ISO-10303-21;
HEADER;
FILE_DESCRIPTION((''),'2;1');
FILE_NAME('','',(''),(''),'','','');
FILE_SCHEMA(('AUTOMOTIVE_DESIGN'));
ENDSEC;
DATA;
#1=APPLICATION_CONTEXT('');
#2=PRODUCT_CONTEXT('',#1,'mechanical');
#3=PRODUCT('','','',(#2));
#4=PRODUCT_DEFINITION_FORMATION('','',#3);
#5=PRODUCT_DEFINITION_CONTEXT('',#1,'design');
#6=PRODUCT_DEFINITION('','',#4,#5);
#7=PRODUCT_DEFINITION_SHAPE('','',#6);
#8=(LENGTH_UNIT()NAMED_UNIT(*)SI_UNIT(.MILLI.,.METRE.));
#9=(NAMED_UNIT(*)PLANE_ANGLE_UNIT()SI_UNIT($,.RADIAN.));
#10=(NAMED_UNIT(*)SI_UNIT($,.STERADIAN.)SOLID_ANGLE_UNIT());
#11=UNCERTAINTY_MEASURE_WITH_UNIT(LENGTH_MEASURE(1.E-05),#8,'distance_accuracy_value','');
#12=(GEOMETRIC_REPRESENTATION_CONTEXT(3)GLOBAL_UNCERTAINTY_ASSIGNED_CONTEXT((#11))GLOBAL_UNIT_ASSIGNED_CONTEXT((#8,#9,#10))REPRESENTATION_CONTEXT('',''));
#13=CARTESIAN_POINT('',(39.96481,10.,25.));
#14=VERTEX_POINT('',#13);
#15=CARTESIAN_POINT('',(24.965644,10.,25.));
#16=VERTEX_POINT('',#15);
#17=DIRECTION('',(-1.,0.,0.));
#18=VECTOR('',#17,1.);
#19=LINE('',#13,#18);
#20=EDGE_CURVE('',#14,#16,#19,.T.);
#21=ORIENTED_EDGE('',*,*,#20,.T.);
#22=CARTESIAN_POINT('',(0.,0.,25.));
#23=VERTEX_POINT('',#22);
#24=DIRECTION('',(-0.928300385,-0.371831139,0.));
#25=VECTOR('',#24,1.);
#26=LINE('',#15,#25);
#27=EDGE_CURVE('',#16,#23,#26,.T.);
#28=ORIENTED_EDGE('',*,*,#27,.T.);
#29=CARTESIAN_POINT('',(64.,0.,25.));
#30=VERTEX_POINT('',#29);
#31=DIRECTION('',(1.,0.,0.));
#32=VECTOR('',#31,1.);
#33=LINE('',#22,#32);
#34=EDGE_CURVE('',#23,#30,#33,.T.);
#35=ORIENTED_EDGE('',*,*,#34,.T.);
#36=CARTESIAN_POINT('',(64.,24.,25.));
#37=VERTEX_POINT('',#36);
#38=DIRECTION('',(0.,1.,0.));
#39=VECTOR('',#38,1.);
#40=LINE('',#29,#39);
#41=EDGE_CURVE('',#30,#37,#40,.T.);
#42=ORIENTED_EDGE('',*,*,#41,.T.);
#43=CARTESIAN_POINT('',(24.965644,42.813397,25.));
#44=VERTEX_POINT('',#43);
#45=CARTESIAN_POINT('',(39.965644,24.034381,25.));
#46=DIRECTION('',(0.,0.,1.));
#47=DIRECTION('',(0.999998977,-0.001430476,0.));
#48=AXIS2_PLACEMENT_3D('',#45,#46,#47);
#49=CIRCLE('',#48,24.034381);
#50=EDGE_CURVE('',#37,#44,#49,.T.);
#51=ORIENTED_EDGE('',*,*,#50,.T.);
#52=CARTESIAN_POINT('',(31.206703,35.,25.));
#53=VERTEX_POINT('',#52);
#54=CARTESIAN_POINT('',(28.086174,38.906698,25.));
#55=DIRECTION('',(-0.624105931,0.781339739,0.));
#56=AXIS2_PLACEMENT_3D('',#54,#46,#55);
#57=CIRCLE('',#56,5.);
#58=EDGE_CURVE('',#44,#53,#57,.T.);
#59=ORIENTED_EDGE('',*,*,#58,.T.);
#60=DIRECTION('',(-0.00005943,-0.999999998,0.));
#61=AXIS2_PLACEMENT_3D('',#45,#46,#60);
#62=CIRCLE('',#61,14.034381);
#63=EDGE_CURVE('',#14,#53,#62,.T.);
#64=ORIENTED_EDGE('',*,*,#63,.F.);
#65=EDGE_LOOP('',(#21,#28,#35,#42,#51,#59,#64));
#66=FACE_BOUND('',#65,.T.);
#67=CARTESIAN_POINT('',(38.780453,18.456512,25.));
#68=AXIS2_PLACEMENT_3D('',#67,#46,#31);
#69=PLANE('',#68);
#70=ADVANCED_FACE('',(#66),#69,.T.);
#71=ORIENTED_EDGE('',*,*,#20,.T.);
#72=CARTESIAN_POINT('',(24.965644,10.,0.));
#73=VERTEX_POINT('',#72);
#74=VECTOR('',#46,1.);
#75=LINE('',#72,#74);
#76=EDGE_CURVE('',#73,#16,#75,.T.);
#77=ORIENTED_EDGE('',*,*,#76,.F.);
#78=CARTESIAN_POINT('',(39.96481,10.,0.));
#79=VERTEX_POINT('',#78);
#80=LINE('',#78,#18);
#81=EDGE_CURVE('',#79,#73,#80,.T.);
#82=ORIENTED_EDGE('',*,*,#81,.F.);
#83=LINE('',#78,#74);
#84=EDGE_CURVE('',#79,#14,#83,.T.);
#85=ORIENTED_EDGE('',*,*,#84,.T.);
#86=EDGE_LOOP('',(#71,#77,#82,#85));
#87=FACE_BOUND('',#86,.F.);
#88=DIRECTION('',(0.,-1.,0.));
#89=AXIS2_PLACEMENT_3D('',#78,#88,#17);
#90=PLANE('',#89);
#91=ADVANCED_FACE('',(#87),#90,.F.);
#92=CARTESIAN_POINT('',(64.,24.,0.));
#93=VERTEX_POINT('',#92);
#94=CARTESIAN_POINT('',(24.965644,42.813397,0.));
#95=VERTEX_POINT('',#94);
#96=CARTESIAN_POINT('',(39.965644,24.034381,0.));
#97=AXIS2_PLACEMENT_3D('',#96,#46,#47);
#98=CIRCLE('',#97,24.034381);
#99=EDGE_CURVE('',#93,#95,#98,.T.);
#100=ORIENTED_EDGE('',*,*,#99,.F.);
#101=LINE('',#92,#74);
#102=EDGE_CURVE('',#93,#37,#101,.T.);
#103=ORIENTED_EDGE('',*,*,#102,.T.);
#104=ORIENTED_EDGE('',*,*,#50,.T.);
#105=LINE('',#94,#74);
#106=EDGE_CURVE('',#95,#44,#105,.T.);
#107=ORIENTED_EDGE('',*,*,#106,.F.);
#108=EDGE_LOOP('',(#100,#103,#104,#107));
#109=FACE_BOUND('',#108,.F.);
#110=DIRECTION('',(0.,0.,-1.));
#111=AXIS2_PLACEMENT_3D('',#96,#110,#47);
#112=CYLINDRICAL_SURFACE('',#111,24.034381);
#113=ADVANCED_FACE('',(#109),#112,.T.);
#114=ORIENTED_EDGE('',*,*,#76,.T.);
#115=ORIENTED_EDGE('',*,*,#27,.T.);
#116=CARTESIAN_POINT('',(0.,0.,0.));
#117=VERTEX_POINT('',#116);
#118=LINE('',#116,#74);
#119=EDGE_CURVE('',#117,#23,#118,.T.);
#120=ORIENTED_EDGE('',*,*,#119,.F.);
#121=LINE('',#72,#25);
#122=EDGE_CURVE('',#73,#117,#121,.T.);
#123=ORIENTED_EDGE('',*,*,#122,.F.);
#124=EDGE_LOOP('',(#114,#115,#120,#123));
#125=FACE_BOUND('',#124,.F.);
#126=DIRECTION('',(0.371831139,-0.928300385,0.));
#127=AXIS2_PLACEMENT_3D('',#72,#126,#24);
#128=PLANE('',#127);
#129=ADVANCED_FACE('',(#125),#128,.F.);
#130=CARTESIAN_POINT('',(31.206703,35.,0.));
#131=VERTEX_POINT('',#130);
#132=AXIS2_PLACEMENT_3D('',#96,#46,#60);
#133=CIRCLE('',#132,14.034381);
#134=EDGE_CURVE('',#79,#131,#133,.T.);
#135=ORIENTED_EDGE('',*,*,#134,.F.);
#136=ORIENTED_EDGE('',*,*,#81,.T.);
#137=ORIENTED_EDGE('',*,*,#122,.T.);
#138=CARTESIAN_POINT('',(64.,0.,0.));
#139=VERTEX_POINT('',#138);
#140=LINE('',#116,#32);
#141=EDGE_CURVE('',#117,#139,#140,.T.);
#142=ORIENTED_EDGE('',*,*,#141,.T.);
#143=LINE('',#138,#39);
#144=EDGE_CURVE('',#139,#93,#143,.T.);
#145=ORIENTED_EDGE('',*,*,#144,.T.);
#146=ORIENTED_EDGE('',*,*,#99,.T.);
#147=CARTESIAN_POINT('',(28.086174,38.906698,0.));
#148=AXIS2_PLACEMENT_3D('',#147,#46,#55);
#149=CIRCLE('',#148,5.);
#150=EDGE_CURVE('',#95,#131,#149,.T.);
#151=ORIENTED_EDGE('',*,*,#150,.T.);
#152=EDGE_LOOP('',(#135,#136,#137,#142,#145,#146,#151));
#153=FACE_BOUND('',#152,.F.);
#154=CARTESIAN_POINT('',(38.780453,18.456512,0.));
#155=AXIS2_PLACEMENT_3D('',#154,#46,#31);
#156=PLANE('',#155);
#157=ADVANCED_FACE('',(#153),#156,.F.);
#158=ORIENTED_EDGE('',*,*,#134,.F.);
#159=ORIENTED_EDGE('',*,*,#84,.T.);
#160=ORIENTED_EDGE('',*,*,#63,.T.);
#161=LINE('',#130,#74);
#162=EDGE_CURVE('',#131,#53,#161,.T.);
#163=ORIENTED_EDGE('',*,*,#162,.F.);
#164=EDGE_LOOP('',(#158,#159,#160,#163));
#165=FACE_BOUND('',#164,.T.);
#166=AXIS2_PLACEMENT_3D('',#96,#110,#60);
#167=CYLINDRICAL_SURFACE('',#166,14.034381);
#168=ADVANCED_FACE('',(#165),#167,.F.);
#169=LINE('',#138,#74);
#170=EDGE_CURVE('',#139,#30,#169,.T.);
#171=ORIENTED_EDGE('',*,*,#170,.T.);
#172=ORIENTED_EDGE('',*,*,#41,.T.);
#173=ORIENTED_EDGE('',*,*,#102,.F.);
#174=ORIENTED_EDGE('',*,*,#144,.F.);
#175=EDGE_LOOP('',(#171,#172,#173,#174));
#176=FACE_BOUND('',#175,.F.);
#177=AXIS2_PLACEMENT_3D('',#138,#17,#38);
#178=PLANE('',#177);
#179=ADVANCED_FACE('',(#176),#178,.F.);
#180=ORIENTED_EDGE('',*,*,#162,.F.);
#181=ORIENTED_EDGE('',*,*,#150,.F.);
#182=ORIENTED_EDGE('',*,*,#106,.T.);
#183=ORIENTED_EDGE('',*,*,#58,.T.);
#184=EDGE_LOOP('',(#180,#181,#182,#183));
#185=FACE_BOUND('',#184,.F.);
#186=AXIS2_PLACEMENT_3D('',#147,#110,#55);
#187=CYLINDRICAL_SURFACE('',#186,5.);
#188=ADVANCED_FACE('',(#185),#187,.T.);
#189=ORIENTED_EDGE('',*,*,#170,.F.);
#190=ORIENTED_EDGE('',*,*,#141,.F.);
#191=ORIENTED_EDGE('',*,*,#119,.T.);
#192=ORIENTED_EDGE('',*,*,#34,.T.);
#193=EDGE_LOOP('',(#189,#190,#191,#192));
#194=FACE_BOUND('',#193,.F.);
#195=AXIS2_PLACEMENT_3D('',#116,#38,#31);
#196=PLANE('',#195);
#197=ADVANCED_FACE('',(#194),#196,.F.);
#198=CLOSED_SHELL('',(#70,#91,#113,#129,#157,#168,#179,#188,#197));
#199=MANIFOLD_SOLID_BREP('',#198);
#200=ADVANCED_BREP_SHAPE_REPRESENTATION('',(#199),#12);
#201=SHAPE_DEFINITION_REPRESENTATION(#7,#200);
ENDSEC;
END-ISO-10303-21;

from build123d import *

# Parameters (mm, degrees)
PAD_DEPTH = 25


with BuildPart() as part:
    # Sketch → Pad (new body)
    with BuildSketch(Plane.XY):
        with BuildLine():
            ThreePointArc((64, 24), (50.400723, 45.68526), (24.965644, 42.813397))
            ThreePointArc((24.965644, 42.813397), (24.179475, 35.786169), (31.206703, 35))
            ThreePointArc((39.96481, 10), (53.210772, 28.674471), (31.206703, 35))
            Line((39.96481, 10), (24.965644, 10))
            Line((24.965644, 10), (0, 0))
            Line((0, 0), (64, 0))
            Line((64, 0), (64, 24))
        make_face()
    extrude(amount=PAD_DEPTH)


solid = part.part
